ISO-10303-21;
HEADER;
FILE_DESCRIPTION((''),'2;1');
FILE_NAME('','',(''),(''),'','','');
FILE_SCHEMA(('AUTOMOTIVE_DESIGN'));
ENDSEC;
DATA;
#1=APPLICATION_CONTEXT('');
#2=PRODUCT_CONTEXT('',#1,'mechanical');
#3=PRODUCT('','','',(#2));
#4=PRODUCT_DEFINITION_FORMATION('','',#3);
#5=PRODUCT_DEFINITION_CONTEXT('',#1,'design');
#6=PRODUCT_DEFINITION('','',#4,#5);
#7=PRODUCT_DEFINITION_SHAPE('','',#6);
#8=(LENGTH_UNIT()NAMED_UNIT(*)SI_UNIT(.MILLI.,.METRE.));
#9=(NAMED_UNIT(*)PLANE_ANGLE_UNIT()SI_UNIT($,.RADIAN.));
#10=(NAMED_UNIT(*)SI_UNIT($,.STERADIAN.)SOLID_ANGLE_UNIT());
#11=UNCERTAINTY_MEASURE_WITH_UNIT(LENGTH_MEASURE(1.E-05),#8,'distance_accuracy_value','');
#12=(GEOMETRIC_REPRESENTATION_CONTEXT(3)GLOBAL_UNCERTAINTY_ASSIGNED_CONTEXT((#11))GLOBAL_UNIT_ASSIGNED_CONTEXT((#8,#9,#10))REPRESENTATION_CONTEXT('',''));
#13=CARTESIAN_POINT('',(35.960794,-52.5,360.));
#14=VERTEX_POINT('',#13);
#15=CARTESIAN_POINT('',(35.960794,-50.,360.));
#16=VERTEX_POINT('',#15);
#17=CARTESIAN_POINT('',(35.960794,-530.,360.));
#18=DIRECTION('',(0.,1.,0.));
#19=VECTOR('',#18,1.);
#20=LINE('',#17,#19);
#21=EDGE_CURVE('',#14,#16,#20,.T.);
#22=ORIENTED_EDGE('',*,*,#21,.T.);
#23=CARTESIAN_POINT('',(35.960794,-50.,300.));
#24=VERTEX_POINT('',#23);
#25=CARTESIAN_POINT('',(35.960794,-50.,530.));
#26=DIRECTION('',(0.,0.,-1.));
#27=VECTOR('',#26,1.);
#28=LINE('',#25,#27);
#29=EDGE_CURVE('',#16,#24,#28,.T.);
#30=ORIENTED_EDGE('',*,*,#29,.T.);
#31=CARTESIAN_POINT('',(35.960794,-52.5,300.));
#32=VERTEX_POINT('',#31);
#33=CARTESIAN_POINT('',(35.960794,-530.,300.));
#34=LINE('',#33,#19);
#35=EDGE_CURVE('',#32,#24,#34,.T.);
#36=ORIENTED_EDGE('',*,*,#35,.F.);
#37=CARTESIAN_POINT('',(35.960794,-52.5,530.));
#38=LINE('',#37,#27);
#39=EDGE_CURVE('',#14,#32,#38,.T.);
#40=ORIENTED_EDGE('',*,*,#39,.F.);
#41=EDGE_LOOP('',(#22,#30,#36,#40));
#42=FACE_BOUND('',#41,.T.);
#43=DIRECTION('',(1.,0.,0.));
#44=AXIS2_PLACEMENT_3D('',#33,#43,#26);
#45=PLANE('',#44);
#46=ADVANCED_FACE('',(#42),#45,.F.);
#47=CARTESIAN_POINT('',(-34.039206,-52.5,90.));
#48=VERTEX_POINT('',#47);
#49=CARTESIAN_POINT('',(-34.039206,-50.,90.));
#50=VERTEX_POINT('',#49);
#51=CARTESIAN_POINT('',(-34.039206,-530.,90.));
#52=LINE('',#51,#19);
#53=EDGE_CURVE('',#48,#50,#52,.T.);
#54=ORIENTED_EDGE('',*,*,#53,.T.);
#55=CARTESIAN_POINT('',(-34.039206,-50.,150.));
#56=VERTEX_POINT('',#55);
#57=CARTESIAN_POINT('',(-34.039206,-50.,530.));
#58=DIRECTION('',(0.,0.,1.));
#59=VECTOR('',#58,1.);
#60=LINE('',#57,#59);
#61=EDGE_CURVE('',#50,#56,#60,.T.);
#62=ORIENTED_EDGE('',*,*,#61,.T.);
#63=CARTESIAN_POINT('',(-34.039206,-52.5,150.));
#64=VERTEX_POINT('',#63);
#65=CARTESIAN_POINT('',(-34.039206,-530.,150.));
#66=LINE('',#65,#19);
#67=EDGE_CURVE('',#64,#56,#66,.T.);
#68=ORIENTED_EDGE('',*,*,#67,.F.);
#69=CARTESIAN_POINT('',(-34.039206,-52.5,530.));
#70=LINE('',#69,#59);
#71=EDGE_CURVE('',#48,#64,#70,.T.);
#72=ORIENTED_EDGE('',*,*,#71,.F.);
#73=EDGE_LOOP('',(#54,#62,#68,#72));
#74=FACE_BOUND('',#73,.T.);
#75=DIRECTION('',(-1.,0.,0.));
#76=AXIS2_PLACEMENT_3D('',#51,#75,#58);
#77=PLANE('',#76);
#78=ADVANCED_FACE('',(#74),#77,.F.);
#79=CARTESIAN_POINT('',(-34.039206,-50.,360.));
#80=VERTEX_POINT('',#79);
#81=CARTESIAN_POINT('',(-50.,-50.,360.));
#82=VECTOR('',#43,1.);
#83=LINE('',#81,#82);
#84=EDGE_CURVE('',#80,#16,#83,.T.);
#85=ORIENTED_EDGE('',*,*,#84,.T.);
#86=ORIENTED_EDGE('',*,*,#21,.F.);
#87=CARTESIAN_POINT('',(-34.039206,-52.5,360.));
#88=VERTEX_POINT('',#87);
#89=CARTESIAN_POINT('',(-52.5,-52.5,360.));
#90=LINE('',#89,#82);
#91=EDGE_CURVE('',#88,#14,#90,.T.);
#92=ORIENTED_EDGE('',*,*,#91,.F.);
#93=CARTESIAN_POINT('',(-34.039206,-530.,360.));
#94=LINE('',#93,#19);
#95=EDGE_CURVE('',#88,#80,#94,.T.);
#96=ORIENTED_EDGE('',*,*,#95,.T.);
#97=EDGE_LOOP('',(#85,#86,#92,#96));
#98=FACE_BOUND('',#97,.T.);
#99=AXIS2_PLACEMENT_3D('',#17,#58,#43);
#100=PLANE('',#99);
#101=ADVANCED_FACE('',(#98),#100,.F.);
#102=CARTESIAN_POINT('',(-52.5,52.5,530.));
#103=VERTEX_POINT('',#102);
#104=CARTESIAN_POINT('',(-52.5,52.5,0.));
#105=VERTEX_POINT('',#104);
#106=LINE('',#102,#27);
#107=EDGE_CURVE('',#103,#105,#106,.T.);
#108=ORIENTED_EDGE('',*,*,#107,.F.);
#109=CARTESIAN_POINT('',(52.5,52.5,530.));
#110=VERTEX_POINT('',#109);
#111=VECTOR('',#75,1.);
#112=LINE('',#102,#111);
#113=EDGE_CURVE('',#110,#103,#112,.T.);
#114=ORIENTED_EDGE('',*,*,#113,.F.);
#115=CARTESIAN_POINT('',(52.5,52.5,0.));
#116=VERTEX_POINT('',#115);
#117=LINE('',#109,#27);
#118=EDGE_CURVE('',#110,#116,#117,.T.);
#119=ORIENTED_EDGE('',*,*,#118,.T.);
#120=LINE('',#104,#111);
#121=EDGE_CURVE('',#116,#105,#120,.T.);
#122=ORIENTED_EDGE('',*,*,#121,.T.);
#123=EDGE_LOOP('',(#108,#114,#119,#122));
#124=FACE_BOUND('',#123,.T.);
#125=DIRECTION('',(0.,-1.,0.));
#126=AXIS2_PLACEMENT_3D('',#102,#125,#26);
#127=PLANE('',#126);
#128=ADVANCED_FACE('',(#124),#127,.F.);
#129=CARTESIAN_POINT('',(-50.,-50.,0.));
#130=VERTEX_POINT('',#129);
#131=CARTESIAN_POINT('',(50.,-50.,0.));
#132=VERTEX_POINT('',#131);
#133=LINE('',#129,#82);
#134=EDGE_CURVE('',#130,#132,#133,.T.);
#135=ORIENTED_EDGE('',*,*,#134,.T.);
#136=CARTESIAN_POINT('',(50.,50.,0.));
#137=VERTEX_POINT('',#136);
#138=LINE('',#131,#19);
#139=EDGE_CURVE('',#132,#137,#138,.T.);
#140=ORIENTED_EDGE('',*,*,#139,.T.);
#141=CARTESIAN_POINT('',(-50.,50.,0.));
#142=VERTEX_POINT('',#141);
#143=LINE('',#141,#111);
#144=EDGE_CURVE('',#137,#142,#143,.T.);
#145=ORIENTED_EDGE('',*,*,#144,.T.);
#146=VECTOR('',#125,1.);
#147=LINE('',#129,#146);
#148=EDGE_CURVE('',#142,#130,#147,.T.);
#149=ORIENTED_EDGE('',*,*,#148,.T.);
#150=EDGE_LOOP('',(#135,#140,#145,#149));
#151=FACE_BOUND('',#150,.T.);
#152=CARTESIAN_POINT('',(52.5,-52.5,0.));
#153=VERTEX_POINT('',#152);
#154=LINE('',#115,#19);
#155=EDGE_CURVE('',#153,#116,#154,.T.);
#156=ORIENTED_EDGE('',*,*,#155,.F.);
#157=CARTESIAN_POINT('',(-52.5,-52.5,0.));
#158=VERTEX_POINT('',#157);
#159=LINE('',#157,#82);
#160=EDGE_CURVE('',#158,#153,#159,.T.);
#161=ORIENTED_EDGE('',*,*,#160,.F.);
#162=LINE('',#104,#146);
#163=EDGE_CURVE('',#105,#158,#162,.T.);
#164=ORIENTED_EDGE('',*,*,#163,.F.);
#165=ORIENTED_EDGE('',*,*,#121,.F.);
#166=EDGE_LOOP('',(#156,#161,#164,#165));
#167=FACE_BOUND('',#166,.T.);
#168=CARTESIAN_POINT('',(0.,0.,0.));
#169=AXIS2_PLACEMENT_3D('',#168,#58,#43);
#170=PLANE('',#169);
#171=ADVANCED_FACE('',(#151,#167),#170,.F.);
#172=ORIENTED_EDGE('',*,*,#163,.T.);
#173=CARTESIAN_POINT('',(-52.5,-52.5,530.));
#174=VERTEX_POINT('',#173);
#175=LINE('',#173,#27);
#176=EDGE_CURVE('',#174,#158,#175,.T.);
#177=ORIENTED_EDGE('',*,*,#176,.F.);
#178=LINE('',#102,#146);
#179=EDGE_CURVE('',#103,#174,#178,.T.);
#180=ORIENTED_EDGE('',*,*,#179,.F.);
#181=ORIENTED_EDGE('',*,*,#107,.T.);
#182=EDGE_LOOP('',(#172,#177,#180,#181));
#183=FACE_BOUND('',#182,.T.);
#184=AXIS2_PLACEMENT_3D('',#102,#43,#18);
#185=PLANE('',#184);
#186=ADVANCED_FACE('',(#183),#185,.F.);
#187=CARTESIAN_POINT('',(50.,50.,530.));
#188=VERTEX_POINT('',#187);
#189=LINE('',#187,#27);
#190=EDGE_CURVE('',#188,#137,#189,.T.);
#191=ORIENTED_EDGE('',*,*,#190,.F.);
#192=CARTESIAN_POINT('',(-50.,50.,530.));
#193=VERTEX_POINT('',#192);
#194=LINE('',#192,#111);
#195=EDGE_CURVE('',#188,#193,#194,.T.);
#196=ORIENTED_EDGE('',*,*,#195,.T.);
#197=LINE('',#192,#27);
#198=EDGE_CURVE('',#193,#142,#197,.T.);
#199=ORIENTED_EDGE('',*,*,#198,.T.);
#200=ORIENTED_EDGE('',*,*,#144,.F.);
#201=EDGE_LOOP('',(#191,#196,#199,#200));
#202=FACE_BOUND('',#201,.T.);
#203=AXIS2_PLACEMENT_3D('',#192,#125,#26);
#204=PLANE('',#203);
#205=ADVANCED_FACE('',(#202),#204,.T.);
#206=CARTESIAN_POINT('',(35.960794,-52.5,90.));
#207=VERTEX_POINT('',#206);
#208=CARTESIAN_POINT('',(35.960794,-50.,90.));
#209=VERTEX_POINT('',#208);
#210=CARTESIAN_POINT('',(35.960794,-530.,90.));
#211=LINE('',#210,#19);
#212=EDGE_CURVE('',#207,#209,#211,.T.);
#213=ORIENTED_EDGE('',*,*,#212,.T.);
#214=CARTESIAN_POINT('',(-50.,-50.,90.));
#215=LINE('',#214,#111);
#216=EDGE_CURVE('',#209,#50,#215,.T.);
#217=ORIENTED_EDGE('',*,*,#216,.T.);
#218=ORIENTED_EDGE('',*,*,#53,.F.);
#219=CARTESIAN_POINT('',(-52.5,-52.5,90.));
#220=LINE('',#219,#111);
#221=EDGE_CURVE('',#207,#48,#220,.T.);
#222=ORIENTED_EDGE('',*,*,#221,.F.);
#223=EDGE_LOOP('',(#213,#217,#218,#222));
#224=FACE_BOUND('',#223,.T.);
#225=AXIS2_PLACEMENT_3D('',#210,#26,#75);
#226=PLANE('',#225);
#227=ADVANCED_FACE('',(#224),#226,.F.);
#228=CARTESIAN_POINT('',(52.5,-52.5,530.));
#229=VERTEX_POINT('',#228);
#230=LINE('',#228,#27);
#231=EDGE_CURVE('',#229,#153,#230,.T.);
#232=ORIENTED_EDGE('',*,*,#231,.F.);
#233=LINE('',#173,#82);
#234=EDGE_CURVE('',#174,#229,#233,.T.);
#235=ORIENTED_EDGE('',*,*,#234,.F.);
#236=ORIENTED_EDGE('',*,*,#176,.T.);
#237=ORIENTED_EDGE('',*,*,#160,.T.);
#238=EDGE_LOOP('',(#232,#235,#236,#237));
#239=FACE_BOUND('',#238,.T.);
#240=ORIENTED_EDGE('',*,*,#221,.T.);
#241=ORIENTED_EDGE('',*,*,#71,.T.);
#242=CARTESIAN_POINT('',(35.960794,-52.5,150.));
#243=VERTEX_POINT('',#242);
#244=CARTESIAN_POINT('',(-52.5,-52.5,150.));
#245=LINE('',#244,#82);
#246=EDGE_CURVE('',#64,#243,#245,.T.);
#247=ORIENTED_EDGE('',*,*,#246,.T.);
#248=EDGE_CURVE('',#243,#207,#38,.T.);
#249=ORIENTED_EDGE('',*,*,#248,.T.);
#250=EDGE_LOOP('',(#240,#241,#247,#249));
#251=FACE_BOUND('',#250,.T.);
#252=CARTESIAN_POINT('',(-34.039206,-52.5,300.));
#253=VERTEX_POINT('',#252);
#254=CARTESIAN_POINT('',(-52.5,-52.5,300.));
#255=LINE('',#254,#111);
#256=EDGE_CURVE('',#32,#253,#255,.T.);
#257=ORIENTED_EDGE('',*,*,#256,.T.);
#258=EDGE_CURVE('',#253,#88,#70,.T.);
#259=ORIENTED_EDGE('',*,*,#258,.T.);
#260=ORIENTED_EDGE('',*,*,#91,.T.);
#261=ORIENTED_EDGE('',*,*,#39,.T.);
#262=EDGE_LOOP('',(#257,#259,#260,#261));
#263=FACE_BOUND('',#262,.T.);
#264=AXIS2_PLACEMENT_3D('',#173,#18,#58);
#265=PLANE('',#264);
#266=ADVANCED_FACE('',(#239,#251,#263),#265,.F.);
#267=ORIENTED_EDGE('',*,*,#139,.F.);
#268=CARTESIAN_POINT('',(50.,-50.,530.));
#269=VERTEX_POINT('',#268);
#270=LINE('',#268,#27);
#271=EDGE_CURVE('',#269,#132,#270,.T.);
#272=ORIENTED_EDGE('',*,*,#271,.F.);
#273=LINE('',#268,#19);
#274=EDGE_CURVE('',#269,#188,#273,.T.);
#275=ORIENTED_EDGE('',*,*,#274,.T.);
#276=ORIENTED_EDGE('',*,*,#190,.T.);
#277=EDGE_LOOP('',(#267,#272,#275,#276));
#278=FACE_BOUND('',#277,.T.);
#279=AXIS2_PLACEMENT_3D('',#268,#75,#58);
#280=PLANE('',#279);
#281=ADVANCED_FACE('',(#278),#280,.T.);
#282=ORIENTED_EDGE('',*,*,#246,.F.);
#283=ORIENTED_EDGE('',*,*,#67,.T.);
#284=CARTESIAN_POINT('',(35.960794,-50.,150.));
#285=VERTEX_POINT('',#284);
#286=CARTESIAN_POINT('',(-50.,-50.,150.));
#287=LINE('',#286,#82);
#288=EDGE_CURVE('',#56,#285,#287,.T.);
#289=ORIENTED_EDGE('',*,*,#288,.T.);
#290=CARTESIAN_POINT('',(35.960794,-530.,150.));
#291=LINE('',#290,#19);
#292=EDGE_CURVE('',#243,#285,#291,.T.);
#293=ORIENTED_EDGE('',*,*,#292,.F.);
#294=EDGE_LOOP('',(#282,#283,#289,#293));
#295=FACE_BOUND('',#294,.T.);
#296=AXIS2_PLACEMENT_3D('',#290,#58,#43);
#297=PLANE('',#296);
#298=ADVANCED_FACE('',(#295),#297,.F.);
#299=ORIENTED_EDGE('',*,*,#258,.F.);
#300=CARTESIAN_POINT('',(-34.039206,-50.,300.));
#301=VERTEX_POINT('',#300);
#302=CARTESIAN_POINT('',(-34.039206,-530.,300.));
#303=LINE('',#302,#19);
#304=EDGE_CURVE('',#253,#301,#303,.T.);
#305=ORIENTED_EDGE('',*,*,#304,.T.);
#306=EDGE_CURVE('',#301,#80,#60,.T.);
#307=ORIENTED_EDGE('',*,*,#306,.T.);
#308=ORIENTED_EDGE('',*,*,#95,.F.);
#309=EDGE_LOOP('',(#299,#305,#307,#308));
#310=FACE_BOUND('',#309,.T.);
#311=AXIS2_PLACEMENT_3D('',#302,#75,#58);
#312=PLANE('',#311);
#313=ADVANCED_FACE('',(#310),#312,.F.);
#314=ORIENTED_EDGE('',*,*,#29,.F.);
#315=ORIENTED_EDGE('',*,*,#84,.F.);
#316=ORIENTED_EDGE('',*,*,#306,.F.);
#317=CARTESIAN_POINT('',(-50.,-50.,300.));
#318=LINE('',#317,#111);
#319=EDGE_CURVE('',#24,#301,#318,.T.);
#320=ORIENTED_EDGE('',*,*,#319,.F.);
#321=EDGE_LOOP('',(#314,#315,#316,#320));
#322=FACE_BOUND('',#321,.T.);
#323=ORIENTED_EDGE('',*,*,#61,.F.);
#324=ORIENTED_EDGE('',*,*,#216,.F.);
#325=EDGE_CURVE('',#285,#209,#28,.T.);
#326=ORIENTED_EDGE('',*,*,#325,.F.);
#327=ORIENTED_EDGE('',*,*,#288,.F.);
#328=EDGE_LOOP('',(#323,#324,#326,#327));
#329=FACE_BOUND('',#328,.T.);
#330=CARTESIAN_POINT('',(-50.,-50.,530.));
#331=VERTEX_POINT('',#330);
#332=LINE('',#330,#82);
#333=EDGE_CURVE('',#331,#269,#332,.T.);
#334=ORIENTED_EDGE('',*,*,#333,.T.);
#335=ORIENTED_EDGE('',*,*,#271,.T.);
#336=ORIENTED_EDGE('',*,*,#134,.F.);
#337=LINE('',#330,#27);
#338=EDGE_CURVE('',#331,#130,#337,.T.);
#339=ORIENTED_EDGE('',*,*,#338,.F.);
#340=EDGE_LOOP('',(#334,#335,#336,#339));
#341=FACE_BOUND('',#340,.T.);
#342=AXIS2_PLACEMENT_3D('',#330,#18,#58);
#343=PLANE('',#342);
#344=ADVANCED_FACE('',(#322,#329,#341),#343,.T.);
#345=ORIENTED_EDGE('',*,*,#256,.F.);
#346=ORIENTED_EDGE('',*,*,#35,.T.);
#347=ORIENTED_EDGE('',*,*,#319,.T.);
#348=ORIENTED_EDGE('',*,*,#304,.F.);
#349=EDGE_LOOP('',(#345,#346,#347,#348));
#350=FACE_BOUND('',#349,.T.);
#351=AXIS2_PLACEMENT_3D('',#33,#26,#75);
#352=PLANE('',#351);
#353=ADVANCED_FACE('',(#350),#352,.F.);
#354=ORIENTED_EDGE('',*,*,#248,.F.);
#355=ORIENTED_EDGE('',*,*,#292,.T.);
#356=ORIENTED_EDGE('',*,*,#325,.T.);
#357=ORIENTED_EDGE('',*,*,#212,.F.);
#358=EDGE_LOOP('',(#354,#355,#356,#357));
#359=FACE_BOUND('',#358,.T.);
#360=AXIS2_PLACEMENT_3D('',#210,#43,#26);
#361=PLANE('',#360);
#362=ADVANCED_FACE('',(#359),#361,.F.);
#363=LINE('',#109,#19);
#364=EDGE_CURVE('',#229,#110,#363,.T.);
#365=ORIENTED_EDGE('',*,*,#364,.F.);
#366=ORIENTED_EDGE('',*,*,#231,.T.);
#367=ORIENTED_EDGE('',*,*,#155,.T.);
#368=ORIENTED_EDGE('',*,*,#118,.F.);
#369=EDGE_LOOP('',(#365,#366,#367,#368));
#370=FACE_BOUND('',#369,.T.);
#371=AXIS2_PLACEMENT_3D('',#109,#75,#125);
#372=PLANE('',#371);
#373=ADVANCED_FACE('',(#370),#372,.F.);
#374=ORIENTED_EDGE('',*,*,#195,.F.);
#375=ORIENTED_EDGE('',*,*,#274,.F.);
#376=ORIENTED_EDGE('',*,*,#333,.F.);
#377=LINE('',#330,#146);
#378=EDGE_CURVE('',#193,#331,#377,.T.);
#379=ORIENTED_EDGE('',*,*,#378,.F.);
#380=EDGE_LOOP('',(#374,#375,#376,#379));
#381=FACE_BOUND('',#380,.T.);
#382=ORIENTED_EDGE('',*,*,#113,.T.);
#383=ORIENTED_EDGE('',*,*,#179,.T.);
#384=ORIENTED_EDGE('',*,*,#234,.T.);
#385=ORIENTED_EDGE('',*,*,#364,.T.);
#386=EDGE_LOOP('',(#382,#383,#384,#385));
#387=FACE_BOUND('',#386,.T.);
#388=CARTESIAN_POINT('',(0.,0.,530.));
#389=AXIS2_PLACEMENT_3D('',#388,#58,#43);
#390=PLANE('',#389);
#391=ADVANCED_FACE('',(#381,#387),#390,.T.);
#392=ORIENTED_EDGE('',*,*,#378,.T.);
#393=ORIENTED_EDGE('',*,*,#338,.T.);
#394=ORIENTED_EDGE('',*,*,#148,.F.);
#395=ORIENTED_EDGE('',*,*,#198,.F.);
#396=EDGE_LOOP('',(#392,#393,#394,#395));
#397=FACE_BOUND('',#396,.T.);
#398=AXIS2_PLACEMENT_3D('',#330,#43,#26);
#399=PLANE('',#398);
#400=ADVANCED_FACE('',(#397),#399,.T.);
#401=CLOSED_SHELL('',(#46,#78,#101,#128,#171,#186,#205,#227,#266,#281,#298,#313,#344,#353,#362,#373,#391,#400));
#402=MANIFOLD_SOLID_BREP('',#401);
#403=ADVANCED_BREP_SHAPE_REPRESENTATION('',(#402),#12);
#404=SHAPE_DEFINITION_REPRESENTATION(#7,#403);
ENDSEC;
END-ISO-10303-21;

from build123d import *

# Parameters (mm, degrees)
SKETCH2_W           = 105
SKETCH2_H           = 105
SKETCH2_W_2         = 100
SKETCH2_H_2         = 100
BOSS_EXTRUDE1_DEPTH = 530
SKETCH3_W           = 70
SKETCH3_H           = 60
CUT_EXTRUDE1_DEPTH  = 530


with BuildPart() as part:
    # Sketch2 → Boss-Extrude1 (new body)
    with BuildSketch(Plane.XY):
        Rectangle(SKETCH2_W, SKETCH2_H)
        Rectangle(SKETCH2_W_2, SKETCH2_H_2, mode=Mode.SUBTRACT)
    extrude(amount=BOSS_EXTRUDE1_DEPTH)

    # Sketch3 → Cut-Extrude1 (cut)
    with BuildSketch(Plane(origin=(0, 0, 0), x_dir=(1, 0, 0), z_dir=(0, 1, 0))):
        with Locations((0.960794274, -120)):
            Rectangle(SKETCH3_W, SKETCH3_H)
        with Locations((0.960794274, -330)):
            Rectangle(SKETCH3_W, SKETCH3_H)
    extrude(amount=-CUT_EXTRUDE1_DEPTH, mode=Mode.SUBTRACT)


solid = part.part
